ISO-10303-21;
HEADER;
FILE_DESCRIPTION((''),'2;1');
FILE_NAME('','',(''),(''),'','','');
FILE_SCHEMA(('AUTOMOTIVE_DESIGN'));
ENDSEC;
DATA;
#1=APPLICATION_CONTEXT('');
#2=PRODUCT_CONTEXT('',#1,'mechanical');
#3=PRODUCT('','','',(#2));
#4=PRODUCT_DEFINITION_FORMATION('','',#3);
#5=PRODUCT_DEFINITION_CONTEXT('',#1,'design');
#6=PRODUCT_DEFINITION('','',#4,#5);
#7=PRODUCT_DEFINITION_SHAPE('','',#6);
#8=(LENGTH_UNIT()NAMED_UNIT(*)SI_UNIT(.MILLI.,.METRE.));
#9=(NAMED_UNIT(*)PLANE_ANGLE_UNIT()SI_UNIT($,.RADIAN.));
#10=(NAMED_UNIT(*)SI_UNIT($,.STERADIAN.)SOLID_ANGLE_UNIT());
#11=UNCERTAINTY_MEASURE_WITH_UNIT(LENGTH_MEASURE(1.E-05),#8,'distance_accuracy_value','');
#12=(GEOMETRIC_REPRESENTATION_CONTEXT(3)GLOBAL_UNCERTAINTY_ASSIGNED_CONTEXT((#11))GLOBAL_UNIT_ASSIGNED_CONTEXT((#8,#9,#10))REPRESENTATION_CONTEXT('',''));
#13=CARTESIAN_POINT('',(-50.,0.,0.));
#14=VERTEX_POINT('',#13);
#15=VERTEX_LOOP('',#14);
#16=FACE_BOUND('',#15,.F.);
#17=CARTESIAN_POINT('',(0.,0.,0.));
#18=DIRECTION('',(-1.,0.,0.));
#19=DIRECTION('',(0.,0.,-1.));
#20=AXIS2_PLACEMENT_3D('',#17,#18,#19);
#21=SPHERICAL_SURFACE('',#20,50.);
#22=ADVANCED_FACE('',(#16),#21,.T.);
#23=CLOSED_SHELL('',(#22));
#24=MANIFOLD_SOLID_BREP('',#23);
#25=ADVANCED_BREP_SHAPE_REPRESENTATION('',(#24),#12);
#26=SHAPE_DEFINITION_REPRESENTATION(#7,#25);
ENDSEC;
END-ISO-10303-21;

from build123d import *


with BuildPart() as part:
    # Sketch1 → Revolve1 (revolve)
    with BuildSketch(Plane(origin=(0, 0, 0), x_dir=(1, 0, 0), z_dir=(0, 1, 0))):
        with BuildLine():
            Line((-50, 0), (50, 0))
            ThreePointArc((50, 0), (0, 50), (-50, 0))
        make_face()
    revolve(axis=Axis((-50, 0, 0), (1, 0, 0)))


solid = part.part
